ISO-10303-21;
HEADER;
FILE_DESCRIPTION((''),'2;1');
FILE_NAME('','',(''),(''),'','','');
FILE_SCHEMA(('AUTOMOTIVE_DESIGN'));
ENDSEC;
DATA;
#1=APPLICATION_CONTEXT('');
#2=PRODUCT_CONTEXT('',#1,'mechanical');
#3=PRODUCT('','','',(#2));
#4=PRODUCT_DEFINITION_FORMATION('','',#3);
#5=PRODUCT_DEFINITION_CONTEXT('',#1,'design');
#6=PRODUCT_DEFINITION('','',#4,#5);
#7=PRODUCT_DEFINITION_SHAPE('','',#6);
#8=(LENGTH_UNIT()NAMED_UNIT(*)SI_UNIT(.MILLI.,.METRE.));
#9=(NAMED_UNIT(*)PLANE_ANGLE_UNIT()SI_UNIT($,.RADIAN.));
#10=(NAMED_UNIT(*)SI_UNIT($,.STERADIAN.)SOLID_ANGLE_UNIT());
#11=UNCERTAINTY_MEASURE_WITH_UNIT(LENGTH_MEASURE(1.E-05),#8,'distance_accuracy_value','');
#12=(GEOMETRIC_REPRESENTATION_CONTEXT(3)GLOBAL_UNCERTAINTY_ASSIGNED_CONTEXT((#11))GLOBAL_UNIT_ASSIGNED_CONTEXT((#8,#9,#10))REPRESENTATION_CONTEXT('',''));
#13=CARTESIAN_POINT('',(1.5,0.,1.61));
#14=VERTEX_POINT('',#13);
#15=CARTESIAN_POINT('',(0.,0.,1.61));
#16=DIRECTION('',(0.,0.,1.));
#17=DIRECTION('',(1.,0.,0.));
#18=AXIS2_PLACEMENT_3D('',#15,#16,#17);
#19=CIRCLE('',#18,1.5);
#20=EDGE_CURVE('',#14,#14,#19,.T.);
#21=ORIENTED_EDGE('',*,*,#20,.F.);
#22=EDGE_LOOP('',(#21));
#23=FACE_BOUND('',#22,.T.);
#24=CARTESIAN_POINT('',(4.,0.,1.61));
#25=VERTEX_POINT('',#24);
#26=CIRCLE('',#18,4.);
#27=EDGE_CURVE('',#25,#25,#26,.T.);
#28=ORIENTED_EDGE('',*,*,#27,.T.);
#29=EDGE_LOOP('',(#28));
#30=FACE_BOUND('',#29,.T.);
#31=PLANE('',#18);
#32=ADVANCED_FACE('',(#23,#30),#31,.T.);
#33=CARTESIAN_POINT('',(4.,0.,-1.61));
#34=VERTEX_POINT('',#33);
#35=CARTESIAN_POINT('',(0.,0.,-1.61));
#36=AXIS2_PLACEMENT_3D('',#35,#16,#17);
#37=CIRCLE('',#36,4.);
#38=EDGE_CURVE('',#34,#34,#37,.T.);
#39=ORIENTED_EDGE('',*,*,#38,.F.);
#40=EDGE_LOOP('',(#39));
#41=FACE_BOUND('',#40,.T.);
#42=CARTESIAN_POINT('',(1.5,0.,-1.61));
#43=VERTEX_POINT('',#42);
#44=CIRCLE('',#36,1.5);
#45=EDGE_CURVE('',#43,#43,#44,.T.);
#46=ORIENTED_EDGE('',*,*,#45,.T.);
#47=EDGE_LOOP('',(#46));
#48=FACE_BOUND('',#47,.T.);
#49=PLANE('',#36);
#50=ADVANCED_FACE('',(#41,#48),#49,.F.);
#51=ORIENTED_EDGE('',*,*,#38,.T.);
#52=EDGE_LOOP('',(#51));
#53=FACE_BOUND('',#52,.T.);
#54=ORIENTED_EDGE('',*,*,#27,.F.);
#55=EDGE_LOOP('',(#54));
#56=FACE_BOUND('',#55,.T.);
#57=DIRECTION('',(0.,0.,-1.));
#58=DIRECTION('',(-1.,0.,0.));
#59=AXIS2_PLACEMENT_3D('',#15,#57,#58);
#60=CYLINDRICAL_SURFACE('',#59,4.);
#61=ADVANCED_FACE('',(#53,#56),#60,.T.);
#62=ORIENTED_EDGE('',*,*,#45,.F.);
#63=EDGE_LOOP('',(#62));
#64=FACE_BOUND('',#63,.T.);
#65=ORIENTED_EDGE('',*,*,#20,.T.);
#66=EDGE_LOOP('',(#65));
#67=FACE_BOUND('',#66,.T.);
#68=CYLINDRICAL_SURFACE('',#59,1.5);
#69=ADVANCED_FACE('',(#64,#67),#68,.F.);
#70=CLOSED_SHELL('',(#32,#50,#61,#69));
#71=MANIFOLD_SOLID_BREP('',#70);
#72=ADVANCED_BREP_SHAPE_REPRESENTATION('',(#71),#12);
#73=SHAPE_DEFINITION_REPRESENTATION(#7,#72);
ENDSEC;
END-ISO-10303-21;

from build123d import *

# Parameters (mm, degrees)
SKETCH1_R           = 4
SKETCH1_R_2         = 1.5
BOSS_EXTRUDE1_DEPTH = 1.61


with BuildPart() as part:
    # Sketch1 → Boss-Extrude1 (new body, symmetric)
    with BuildSketch(Plane.XY):
        Circle(SKETCH1_R)
        Circle(SKETCH1_R_2, mode=Mode.SUBTRACT)
    extrude(amount=BOSS_EXTRUDE1_DEPTH, both=True)


solid = part.part
